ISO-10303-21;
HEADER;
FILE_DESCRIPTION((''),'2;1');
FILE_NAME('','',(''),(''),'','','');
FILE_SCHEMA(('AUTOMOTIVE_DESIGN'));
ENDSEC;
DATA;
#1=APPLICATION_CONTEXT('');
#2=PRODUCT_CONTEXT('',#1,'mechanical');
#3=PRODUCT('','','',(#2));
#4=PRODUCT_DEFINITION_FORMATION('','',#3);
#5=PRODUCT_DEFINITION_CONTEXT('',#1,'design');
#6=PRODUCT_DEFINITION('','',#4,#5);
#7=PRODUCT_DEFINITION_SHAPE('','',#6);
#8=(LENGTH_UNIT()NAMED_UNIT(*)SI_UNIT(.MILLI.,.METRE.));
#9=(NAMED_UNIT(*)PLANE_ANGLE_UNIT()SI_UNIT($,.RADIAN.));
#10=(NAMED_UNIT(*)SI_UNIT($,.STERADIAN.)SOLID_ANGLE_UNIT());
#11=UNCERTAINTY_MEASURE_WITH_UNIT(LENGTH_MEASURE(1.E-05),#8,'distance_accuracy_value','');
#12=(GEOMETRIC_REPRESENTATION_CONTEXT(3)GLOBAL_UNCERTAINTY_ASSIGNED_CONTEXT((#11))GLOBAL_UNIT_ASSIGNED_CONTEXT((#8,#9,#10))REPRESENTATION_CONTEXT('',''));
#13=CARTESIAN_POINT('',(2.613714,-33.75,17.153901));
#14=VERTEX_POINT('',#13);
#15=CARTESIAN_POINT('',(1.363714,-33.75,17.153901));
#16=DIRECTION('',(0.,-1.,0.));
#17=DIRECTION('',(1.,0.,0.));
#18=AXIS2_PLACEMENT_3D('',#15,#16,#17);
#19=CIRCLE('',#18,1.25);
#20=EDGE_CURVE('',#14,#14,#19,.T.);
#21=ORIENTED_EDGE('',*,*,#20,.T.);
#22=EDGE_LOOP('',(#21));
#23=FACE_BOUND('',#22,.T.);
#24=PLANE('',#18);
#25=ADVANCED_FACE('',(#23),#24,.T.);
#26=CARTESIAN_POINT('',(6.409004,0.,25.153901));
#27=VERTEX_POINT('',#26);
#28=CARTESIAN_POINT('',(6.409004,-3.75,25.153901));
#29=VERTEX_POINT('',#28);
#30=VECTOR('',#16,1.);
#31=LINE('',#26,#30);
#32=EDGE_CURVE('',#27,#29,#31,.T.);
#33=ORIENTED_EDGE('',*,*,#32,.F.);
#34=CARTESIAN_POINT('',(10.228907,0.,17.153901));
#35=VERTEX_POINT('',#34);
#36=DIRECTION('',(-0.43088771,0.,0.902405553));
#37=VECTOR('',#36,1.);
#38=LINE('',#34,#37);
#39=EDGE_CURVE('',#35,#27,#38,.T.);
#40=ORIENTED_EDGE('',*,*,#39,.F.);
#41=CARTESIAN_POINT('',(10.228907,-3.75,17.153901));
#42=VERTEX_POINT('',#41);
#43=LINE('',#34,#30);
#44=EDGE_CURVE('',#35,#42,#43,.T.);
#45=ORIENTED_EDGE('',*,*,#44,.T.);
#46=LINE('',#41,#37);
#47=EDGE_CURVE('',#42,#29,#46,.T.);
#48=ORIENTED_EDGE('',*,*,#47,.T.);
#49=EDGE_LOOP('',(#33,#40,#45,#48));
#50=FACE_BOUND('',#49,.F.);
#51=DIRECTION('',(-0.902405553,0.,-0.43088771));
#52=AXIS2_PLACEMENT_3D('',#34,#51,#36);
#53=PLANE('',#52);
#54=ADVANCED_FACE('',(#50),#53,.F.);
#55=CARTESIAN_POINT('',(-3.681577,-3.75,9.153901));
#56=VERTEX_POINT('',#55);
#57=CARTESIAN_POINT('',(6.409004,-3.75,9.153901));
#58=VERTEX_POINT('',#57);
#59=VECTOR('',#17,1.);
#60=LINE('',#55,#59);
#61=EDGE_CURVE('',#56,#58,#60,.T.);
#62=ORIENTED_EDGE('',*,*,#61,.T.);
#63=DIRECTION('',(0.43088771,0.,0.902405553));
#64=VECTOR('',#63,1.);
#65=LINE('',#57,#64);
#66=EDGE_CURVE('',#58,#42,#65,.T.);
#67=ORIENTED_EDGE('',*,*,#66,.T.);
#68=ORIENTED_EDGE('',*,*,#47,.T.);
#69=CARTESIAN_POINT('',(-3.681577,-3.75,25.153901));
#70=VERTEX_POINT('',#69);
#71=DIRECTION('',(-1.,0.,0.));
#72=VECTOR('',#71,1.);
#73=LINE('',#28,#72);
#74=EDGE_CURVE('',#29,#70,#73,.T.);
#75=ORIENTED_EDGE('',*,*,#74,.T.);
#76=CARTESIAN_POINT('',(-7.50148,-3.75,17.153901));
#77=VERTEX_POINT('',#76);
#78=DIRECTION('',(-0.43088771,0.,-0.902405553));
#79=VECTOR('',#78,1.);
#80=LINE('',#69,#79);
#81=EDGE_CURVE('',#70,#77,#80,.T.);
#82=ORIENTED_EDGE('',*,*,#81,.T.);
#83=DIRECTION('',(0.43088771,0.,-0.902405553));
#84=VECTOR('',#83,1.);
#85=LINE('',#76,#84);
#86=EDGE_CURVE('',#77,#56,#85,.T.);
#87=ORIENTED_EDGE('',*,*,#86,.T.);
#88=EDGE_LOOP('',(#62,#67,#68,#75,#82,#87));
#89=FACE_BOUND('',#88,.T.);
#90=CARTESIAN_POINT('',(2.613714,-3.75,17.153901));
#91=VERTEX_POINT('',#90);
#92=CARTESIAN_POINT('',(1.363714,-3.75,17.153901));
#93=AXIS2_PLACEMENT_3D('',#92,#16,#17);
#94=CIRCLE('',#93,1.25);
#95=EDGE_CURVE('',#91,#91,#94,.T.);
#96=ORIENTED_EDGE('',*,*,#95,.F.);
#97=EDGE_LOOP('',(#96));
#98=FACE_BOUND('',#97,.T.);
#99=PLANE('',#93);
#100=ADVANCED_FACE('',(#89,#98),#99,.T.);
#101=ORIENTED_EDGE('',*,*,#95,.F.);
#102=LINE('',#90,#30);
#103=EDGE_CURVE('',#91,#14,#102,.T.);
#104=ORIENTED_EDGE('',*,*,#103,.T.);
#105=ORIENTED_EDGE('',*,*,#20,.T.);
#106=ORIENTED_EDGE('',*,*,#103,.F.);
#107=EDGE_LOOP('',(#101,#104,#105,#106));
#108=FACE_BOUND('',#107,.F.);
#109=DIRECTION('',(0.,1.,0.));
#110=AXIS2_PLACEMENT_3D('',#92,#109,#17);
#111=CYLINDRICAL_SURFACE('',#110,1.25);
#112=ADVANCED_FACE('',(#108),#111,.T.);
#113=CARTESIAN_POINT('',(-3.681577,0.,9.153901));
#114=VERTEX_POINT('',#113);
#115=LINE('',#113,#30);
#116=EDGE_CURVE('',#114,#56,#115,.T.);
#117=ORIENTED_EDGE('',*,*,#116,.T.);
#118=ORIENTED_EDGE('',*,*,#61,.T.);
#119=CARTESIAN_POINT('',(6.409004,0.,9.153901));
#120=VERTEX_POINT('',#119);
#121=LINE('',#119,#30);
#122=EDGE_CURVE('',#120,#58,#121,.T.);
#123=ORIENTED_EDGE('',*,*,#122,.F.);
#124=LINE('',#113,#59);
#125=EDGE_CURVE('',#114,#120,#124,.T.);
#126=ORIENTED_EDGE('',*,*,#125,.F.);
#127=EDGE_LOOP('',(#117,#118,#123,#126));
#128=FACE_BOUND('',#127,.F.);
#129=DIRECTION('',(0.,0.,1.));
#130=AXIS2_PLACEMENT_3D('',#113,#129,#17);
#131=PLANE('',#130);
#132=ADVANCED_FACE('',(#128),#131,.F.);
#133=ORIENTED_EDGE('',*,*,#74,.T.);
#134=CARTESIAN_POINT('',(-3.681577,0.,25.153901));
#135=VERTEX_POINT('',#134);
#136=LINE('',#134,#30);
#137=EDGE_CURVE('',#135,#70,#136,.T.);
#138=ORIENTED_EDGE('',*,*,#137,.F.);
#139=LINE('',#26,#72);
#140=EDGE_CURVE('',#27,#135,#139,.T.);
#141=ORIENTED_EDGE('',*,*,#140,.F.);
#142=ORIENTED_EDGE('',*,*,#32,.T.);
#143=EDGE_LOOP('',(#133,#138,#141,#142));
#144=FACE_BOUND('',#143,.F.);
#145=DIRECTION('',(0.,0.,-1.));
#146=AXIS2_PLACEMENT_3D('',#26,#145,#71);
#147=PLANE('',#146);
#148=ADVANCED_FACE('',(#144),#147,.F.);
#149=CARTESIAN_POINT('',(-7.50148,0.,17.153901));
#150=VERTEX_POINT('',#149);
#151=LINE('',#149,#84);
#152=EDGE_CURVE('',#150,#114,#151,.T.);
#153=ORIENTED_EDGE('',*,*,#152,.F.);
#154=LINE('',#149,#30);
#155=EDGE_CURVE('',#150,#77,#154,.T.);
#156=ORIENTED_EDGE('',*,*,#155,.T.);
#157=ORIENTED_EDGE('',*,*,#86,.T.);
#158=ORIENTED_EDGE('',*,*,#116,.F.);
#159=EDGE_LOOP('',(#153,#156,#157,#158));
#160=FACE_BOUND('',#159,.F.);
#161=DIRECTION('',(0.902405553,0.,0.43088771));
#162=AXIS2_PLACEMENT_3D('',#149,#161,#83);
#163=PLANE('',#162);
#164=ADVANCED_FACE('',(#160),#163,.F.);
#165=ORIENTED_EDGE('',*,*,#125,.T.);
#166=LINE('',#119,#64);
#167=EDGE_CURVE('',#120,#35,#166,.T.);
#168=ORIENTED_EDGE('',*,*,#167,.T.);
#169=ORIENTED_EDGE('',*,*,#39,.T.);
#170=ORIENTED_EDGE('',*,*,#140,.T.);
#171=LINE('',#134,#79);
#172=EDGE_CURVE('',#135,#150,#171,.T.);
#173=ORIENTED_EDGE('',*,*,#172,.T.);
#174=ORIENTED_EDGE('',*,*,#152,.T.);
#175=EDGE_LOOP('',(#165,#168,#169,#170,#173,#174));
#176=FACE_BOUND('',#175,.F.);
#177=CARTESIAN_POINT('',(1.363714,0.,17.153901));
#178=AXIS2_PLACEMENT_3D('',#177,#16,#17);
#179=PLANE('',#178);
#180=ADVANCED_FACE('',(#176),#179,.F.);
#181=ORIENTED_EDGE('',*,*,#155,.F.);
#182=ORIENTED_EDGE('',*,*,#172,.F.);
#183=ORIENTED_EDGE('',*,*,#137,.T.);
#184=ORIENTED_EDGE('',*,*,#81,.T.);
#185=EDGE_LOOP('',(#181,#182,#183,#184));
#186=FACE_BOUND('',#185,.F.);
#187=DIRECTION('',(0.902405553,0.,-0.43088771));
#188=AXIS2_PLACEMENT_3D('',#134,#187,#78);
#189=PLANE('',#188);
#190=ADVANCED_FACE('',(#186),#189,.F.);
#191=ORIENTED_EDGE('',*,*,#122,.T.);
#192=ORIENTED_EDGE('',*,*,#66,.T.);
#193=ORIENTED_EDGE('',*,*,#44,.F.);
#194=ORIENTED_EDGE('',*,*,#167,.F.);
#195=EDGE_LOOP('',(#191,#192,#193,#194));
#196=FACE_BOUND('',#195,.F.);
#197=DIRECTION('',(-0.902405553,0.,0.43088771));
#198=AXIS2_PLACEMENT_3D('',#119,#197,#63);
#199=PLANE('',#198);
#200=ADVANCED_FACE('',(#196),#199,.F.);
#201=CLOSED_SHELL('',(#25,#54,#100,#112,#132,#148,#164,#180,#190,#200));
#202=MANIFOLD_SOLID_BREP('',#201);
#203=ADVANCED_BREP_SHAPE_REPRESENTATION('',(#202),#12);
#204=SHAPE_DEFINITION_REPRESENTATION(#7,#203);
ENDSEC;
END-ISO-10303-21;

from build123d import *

# Parameters (mm, degrees)
F1_DEPTH = 3.75
F2_R     = 1.25
F3_DEPTH = 30


with BuildPart() as f1:
    # F0 (on Front) → F1 (new body)
    with BuildSketch(Plane.XZ):
        Polygon((6.409004, 25.153901), (-3.681577, 25.153901), (-7.50148, 17.153901), (-3.681577, 9.153901), (6.409004, 9.153901), (10.228907, 17.153901), align=None)
    extrude(amount=F1_DEPTH)

    # F2 (on face) → F3 (join)
    with BuildSketch(Plane.XZ.offset(3.75)):
        with Locations((1.363714, 17.153901)):
            Circle(F2_R)
    extrude(amount=F3_DEPTH)


solid = f1.part
